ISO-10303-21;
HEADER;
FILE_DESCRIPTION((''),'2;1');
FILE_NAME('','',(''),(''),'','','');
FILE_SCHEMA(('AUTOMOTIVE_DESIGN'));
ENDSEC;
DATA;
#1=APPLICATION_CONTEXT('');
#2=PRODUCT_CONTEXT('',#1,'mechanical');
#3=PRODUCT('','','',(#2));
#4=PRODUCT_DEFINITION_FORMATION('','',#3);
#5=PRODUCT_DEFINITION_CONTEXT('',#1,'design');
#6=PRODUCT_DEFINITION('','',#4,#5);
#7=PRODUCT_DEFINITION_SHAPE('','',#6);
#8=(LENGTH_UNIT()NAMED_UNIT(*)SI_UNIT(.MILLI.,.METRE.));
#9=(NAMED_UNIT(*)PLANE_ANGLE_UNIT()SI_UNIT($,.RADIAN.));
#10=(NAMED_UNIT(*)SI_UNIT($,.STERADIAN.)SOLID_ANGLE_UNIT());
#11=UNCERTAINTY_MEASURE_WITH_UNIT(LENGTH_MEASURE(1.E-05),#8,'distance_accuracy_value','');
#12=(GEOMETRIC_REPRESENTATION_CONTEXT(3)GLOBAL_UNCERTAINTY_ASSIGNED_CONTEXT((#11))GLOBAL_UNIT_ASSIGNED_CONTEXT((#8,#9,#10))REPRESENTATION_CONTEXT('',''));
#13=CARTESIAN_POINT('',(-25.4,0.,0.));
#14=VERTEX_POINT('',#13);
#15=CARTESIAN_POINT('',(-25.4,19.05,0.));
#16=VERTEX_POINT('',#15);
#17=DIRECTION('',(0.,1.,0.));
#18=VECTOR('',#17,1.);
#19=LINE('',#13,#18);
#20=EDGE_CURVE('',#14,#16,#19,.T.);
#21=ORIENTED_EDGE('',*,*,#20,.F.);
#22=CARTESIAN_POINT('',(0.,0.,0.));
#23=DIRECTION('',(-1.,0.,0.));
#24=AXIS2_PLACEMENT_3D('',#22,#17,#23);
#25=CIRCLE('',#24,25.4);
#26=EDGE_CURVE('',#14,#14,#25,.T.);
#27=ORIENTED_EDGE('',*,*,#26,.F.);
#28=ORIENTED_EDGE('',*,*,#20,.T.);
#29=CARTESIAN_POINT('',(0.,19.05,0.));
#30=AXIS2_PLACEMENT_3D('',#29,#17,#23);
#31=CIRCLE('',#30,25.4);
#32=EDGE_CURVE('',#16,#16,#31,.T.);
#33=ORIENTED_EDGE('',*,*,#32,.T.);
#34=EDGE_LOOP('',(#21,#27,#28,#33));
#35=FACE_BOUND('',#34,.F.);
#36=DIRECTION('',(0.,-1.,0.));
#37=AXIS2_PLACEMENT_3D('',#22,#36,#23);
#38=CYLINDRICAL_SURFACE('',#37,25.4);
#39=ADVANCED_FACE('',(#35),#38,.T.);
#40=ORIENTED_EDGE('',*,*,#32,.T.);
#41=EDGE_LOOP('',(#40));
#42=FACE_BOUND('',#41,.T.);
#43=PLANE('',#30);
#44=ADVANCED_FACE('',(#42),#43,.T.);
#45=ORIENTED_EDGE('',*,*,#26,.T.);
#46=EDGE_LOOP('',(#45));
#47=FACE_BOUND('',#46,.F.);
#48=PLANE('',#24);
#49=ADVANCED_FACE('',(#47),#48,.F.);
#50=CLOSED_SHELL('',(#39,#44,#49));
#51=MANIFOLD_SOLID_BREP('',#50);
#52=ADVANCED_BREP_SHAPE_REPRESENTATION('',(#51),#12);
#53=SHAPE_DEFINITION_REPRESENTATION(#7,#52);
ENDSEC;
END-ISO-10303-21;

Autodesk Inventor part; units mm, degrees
ref_plane "YZ Plane" through (0, 0, 0) normal (1, 0, 0) x (0, 1, 0)
ref_plane "XZ Plane" through (0, 0, 0) normal (0, 1, 0) x (-1, 0, 0)
ref_plane "XY Plane" through (0, 0, 0) normal (0, 0, 1) x (1, 0, 0)
sketch "Sketch1" plane through (0, 0, 0) normal (0, 1, 0) x (-1, 0, 0)
  circle A0 centre (0, 0) radius 25.4
  dimension "d0" = 50.8
extrude "Extrusion1" add sketch "Sketch1" along normal blind 19.05
properties part number "3in PD Gear"
